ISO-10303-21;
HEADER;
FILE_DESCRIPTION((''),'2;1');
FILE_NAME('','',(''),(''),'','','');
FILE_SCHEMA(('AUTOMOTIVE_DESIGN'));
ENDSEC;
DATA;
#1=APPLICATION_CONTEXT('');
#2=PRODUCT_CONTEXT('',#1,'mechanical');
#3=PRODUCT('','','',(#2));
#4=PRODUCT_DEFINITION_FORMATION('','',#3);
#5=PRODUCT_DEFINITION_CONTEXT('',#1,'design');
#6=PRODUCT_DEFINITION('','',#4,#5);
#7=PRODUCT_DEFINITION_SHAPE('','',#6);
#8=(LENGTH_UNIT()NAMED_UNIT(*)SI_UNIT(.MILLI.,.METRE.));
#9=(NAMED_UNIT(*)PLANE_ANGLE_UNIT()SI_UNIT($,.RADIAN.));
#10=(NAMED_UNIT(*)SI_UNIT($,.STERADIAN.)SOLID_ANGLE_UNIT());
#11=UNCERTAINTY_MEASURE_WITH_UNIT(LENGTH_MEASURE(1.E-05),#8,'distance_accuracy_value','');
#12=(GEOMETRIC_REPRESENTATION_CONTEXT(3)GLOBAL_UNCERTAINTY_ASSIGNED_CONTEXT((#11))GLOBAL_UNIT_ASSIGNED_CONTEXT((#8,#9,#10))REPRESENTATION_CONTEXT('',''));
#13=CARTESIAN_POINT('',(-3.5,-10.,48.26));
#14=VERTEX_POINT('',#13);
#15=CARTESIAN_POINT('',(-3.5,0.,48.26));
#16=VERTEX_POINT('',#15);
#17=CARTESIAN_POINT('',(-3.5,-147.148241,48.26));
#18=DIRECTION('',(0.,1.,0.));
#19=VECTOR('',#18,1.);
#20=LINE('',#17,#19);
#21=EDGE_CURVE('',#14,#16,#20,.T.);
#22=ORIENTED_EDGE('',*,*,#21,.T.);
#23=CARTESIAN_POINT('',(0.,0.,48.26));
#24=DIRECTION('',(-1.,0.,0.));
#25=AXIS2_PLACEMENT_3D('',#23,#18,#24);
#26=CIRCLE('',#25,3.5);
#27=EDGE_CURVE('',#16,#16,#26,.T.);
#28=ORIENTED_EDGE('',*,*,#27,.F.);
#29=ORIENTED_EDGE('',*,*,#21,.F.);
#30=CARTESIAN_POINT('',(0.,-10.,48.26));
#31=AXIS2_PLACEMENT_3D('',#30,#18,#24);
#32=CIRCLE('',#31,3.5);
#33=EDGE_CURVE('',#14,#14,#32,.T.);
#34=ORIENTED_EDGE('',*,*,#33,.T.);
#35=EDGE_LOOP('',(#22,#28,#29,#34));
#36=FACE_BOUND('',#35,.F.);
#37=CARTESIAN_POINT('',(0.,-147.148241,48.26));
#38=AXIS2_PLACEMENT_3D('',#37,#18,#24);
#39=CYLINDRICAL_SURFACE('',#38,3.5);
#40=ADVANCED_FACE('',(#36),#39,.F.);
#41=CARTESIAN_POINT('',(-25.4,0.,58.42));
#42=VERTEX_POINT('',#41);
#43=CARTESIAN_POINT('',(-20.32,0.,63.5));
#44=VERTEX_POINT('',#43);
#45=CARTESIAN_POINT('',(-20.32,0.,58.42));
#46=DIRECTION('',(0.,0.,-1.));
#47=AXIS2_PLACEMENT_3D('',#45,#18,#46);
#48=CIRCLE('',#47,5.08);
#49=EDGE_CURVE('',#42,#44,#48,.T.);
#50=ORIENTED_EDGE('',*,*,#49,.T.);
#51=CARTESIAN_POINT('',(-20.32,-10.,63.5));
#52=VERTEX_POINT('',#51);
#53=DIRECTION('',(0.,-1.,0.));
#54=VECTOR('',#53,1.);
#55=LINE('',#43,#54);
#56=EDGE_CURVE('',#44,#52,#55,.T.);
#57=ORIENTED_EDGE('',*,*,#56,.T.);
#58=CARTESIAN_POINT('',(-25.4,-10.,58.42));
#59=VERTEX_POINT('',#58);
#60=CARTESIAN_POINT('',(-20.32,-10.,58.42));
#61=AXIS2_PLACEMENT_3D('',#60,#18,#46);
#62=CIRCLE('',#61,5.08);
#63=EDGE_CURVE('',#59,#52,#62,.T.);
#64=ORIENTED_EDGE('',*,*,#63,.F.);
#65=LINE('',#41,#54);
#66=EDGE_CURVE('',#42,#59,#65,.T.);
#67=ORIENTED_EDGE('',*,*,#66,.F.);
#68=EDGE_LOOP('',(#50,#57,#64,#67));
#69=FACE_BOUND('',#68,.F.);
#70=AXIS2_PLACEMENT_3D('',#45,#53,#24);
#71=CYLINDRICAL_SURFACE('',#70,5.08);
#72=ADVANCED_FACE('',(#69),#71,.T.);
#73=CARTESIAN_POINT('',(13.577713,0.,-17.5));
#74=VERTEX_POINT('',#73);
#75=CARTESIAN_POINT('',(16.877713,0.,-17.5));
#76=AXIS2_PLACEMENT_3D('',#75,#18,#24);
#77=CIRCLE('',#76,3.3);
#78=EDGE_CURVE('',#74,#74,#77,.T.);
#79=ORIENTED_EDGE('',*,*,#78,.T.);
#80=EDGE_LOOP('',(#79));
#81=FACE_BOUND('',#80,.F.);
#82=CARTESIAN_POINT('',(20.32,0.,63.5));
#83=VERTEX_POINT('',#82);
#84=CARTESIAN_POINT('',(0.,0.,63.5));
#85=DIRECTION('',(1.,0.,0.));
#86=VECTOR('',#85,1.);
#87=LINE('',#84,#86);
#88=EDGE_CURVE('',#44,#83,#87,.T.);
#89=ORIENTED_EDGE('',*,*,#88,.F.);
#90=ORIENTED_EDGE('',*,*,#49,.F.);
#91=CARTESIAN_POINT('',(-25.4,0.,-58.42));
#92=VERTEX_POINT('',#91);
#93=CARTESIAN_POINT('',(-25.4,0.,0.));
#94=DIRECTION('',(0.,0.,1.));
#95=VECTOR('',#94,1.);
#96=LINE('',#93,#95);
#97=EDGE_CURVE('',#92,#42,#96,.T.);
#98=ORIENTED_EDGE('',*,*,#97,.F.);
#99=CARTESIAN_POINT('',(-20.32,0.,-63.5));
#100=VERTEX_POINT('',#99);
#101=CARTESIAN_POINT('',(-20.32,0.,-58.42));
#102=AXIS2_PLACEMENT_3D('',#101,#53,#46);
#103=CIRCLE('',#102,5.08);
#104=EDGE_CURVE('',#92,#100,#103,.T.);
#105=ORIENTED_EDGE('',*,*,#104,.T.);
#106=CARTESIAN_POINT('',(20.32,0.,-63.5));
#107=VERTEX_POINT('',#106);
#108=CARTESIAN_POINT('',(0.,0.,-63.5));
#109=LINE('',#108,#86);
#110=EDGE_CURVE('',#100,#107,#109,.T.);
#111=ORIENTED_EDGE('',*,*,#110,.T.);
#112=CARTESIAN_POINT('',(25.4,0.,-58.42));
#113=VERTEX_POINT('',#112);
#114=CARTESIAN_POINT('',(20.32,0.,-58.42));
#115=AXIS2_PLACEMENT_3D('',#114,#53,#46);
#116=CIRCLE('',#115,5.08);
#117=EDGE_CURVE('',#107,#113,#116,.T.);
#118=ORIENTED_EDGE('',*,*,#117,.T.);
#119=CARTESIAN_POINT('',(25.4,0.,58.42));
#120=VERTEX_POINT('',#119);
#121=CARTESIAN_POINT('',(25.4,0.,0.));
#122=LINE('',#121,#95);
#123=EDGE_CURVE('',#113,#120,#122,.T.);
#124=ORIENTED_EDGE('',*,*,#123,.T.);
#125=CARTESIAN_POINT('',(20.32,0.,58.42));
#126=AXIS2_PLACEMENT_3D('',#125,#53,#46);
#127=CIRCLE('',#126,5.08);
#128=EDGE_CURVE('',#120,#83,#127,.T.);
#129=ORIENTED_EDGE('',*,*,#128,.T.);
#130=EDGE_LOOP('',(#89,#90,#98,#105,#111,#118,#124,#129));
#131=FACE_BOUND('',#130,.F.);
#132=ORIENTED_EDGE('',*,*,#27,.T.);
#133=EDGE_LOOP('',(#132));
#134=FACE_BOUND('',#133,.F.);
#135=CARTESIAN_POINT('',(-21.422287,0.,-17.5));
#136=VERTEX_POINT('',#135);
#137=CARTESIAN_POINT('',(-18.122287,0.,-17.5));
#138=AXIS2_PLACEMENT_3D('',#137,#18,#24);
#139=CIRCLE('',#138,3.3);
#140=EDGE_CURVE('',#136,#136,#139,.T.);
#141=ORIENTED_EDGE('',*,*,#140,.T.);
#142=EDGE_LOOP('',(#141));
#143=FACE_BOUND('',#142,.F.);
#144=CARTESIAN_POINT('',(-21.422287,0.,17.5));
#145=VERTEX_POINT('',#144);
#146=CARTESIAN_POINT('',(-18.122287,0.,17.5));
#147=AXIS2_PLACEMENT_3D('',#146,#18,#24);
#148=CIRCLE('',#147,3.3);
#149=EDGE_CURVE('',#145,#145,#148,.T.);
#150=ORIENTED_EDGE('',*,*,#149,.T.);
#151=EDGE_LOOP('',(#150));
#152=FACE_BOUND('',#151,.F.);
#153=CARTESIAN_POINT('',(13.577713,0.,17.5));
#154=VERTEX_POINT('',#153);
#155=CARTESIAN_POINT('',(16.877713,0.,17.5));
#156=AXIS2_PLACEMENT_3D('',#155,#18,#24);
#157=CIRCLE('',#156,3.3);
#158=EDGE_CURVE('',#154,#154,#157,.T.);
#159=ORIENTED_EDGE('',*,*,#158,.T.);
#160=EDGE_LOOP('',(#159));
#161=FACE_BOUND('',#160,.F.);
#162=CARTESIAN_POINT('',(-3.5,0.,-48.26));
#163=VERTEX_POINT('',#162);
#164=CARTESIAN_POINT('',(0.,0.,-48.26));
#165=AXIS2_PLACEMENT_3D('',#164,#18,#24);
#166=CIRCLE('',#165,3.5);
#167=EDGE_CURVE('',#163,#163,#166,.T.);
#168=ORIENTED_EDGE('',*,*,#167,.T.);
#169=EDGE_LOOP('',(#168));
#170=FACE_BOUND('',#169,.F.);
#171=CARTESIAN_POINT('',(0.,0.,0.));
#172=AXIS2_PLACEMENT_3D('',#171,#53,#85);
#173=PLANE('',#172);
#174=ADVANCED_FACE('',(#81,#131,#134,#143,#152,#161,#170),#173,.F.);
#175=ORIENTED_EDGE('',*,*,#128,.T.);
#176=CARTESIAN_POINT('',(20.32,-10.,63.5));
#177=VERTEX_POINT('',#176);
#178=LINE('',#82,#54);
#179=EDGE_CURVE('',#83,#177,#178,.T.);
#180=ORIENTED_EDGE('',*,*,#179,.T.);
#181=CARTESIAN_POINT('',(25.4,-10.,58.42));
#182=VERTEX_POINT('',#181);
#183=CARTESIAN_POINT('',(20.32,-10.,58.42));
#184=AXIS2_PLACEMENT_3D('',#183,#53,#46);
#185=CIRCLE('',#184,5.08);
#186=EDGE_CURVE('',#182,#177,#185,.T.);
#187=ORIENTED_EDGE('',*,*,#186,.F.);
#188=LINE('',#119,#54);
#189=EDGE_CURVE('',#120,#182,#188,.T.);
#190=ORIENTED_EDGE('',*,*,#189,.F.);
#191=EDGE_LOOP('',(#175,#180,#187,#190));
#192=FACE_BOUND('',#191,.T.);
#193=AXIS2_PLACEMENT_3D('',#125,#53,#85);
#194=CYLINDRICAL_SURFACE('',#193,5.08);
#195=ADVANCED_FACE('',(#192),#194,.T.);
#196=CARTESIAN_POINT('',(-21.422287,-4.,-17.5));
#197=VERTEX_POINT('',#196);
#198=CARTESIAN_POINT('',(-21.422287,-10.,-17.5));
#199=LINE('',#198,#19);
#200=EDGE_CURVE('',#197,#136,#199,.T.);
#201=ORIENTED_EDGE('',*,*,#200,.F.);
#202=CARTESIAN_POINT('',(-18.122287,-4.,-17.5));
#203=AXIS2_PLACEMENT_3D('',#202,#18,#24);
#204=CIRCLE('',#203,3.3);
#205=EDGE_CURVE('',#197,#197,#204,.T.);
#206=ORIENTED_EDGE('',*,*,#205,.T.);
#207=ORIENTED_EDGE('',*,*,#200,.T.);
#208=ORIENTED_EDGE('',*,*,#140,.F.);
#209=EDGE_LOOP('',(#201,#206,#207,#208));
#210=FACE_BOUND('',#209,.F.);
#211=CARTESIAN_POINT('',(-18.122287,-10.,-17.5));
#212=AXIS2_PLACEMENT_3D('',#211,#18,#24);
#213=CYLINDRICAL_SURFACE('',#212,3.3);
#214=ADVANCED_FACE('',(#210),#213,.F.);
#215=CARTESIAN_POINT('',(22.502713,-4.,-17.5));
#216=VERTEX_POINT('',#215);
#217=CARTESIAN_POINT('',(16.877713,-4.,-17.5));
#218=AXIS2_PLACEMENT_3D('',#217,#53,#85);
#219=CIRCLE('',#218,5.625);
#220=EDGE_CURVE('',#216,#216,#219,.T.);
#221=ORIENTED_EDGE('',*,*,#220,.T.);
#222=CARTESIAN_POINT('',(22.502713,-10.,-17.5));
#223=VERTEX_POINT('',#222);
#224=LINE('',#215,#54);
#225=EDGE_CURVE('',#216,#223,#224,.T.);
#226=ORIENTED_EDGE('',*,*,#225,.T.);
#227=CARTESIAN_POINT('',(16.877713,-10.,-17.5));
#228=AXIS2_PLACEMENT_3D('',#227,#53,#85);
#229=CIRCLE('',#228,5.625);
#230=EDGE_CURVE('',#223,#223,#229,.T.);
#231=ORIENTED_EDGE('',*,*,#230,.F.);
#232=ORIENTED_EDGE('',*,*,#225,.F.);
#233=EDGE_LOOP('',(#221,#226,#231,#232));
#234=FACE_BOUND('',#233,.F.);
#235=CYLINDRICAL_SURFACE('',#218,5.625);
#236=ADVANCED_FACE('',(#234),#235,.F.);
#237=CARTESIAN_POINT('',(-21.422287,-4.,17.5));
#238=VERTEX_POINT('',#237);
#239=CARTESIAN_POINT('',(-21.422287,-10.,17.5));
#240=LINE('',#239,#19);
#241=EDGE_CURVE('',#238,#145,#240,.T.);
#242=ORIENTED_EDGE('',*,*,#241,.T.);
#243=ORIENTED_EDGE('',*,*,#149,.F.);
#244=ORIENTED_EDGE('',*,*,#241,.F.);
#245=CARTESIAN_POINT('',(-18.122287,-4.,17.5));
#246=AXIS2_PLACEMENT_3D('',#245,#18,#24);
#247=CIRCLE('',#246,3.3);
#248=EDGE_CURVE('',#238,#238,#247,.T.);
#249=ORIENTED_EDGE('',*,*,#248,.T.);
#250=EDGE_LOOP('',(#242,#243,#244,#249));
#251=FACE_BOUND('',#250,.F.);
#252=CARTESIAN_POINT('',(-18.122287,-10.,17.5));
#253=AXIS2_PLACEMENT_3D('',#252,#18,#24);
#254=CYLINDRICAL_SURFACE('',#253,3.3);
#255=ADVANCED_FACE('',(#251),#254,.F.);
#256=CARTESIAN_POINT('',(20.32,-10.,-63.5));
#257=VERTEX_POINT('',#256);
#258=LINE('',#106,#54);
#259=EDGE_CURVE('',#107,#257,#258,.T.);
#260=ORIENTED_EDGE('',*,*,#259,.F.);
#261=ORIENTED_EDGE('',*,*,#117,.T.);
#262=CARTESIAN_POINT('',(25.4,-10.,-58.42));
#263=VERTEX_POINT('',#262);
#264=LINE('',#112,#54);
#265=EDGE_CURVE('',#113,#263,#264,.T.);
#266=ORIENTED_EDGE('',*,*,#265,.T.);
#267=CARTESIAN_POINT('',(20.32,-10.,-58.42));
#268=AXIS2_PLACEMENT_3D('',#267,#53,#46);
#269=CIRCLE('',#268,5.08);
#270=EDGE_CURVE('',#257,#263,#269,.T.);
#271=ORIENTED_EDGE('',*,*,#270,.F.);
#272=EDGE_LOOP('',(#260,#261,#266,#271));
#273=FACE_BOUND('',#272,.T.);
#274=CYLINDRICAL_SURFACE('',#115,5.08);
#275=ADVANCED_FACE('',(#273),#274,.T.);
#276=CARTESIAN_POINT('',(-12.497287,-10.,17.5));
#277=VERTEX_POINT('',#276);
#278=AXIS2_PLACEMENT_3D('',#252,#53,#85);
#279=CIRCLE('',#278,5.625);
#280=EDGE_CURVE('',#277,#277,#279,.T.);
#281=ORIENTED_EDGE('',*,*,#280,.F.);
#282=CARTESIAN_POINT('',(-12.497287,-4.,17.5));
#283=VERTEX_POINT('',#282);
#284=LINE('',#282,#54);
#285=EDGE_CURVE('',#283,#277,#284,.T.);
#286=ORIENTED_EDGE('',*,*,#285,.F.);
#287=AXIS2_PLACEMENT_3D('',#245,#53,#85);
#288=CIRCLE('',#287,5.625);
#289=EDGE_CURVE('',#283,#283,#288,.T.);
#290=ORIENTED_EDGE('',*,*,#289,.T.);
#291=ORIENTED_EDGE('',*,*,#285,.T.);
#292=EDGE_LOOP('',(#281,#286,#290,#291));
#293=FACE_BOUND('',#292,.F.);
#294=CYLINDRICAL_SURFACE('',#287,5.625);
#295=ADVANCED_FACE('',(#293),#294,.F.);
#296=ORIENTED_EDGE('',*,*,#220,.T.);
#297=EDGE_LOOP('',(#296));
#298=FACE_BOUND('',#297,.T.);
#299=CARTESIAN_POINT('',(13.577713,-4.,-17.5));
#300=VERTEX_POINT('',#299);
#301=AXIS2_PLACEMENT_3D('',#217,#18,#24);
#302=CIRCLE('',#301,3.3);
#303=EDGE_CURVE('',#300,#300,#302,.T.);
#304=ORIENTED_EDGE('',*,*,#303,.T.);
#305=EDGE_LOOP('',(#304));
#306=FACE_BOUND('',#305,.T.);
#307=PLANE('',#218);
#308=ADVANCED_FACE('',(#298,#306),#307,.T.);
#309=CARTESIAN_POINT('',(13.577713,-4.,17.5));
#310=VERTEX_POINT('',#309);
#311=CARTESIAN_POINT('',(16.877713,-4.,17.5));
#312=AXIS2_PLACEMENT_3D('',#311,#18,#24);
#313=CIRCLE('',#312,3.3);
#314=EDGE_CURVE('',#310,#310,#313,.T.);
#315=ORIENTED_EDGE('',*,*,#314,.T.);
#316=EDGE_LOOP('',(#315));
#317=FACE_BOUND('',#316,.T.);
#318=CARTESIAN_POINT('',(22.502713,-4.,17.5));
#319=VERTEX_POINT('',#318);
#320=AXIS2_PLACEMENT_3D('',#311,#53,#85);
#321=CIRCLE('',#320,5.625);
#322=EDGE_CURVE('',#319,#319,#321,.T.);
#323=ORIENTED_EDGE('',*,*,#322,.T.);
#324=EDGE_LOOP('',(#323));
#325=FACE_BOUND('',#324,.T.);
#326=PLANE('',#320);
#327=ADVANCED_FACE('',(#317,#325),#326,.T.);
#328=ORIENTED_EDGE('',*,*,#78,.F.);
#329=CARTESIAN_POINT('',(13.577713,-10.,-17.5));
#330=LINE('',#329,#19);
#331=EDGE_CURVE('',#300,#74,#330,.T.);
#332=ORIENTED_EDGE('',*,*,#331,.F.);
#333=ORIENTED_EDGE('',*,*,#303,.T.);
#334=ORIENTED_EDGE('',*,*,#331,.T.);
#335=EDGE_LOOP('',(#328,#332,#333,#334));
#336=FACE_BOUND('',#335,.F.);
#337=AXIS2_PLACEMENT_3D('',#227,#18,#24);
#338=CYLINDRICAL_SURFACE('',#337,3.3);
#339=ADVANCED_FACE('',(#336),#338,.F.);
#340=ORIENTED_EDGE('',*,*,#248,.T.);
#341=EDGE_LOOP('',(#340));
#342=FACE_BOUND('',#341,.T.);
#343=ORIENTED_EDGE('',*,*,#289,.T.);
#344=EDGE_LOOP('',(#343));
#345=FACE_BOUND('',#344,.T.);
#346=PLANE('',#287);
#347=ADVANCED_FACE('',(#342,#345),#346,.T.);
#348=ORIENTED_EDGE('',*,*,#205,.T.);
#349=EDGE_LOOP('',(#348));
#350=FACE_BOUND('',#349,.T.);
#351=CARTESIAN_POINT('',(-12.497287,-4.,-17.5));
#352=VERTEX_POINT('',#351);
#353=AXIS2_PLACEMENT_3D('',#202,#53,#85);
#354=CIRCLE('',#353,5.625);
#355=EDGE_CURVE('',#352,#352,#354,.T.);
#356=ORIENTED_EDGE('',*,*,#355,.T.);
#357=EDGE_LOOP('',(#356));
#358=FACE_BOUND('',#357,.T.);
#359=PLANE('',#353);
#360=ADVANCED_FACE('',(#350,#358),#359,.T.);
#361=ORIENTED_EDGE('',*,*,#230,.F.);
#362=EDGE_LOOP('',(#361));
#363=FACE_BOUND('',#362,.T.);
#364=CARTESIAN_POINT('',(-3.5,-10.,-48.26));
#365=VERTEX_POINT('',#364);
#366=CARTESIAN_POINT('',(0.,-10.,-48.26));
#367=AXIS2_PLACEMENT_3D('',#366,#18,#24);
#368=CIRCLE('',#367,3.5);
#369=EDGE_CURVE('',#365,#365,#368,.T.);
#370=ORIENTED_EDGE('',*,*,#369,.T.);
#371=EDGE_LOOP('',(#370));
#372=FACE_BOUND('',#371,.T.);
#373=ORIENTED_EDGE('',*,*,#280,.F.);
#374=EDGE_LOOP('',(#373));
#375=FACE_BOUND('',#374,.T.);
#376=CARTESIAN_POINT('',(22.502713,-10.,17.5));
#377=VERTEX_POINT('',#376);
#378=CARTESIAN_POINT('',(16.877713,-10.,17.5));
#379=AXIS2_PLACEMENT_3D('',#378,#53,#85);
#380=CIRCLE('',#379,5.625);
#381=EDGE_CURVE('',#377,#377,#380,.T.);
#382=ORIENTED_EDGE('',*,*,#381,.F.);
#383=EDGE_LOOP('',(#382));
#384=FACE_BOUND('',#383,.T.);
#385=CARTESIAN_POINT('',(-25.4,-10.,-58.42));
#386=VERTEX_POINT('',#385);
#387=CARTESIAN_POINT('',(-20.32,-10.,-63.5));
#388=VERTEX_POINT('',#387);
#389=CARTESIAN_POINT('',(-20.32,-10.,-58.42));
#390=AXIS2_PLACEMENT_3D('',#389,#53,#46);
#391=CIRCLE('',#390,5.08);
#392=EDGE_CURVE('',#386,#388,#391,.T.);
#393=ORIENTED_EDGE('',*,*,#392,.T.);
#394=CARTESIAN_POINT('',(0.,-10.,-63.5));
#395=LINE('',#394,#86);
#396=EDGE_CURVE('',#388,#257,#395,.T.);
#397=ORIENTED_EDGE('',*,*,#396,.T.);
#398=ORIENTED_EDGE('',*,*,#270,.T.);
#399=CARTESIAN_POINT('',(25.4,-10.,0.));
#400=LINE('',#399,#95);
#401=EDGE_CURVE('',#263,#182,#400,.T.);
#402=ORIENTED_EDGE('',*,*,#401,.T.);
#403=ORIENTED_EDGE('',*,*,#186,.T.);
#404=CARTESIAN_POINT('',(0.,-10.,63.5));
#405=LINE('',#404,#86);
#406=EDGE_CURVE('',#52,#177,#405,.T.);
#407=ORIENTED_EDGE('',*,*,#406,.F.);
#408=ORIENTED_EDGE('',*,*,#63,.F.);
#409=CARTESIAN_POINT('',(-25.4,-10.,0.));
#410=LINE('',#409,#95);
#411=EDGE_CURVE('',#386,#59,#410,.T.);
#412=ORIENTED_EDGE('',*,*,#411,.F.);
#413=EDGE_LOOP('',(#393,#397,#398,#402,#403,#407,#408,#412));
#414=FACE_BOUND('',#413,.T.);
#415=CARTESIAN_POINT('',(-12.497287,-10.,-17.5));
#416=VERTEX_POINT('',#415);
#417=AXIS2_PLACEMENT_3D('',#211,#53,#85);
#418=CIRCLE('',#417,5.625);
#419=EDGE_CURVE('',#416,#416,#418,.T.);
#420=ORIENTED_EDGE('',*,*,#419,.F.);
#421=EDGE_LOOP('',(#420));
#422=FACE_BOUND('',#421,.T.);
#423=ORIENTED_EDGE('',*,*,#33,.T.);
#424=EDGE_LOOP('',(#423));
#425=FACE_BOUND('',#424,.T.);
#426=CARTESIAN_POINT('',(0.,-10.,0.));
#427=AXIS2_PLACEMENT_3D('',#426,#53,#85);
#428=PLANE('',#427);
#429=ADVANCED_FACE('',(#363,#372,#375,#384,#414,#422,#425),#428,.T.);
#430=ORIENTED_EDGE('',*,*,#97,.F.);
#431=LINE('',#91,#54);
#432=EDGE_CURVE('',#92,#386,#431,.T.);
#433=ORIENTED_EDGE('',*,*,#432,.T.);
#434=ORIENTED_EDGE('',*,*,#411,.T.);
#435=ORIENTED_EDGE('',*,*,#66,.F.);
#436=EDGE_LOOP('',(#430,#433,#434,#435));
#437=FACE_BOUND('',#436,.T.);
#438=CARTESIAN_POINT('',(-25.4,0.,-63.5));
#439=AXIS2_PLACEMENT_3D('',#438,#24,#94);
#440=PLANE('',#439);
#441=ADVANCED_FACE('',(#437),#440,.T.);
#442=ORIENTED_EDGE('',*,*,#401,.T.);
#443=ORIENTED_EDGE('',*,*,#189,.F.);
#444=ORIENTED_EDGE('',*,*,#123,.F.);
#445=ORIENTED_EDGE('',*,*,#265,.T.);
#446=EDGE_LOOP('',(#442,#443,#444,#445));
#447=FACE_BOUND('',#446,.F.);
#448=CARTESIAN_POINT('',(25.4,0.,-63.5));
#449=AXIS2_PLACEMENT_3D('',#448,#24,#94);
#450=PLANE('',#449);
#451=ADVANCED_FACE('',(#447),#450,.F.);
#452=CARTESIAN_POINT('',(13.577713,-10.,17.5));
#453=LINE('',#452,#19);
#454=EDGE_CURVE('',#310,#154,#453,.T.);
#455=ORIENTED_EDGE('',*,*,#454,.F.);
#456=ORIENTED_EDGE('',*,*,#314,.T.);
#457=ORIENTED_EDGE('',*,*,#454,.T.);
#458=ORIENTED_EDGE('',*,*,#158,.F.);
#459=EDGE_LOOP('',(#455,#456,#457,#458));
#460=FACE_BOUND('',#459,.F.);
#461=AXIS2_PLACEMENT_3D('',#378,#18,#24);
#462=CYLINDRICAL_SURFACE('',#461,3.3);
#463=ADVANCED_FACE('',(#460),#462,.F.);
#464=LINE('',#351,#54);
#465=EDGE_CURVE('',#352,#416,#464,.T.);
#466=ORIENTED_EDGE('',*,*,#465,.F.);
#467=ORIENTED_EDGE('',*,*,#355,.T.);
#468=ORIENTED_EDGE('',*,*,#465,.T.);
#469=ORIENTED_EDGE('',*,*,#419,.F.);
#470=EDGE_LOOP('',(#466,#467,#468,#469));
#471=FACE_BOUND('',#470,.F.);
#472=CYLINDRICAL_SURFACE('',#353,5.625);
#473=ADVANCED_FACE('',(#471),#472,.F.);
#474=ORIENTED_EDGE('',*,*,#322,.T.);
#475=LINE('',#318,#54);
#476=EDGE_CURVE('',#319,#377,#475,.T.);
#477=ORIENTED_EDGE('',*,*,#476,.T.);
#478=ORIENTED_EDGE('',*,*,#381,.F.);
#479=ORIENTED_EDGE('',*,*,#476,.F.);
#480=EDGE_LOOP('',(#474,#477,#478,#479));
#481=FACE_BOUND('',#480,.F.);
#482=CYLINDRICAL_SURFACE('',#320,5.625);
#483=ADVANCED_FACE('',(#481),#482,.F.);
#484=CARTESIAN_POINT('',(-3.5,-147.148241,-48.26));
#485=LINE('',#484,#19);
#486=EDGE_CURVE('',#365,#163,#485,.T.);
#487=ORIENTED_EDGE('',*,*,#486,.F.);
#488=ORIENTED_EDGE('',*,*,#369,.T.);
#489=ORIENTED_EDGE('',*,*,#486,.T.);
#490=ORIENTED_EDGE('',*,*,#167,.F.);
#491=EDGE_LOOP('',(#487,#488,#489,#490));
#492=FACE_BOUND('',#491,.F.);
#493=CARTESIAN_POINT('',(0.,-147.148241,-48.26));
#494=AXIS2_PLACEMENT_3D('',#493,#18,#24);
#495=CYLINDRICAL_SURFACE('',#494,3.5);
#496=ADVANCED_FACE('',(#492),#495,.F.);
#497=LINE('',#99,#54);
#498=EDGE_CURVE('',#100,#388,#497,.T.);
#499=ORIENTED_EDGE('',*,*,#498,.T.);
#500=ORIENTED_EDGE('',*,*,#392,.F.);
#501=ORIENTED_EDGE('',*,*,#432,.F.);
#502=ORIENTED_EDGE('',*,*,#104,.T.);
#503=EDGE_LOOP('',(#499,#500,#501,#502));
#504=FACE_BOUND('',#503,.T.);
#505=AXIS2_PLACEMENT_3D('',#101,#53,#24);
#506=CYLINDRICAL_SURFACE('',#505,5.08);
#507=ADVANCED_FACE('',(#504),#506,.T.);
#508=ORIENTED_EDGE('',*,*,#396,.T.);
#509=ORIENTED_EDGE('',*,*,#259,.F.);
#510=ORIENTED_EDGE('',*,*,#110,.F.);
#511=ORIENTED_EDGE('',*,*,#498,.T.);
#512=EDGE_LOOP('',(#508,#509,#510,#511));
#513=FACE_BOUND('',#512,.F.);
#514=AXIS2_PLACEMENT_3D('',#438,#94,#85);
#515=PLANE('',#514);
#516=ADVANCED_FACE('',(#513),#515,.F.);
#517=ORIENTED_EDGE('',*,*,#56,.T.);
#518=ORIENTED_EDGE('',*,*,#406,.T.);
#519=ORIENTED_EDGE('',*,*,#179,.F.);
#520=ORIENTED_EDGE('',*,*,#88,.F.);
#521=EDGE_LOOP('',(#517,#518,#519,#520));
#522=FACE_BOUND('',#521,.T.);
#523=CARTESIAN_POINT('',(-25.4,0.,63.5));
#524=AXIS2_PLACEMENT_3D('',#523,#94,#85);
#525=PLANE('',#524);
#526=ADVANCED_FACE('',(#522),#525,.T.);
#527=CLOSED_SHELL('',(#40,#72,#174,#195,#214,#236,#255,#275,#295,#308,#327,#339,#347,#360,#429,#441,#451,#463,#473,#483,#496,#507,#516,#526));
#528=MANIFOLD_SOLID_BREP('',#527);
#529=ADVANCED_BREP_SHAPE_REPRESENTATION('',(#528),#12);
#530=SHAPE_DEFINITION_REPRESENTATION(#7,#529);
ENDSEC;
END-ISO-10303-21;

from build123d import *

# Parameters (mm, degrees)
F0_W           = 50.8
F0_H           = 127
F1_DEPTH       = 10
F2_R           = 5.08
F4_D           = 7
F6_D           = 6.6
F6_CBORE_D     = 11.25
F6_CBORE_DEPTH = 6


with BuildPart() as f1:
    # F0 (on Front) → F1 (new body)
    with BuildSketch(Plane.XZ):
        Rectangle(F0_W, F0_H)
    extrude(amount=F1_DEPTH)

    # F2
    f2_edges = [f1.edges().sort_by_distance(p)[0] for p in [
        (25.4, -5, 63.5),
        (25.4, -5, -63.5),
        (-25.4, -5, -63.5),
        (-25.4, -5, 63.5),
    ]]
    fillet(f2_edges, radius=F2_R)

    # F4 (through all)
    with Locations(Plane.XZ.offset(10)):
        with Locations((0, 48.26), (0, -48.26)):
            Hole(F4_D / 2)

    # F6 (through all)
    with Locations(Plane.XZ.offset(10)):
        with Locations((-18.122286547, 17.5), (16.877713453, 17.5), (16.877713453, -17.5), (-18.122286547, -17.5)):
            CounterBoreHole(F6_D / 2, F6_CBORE_D / 2, F6_CBORE_DEPTH)


solid = f1.part
